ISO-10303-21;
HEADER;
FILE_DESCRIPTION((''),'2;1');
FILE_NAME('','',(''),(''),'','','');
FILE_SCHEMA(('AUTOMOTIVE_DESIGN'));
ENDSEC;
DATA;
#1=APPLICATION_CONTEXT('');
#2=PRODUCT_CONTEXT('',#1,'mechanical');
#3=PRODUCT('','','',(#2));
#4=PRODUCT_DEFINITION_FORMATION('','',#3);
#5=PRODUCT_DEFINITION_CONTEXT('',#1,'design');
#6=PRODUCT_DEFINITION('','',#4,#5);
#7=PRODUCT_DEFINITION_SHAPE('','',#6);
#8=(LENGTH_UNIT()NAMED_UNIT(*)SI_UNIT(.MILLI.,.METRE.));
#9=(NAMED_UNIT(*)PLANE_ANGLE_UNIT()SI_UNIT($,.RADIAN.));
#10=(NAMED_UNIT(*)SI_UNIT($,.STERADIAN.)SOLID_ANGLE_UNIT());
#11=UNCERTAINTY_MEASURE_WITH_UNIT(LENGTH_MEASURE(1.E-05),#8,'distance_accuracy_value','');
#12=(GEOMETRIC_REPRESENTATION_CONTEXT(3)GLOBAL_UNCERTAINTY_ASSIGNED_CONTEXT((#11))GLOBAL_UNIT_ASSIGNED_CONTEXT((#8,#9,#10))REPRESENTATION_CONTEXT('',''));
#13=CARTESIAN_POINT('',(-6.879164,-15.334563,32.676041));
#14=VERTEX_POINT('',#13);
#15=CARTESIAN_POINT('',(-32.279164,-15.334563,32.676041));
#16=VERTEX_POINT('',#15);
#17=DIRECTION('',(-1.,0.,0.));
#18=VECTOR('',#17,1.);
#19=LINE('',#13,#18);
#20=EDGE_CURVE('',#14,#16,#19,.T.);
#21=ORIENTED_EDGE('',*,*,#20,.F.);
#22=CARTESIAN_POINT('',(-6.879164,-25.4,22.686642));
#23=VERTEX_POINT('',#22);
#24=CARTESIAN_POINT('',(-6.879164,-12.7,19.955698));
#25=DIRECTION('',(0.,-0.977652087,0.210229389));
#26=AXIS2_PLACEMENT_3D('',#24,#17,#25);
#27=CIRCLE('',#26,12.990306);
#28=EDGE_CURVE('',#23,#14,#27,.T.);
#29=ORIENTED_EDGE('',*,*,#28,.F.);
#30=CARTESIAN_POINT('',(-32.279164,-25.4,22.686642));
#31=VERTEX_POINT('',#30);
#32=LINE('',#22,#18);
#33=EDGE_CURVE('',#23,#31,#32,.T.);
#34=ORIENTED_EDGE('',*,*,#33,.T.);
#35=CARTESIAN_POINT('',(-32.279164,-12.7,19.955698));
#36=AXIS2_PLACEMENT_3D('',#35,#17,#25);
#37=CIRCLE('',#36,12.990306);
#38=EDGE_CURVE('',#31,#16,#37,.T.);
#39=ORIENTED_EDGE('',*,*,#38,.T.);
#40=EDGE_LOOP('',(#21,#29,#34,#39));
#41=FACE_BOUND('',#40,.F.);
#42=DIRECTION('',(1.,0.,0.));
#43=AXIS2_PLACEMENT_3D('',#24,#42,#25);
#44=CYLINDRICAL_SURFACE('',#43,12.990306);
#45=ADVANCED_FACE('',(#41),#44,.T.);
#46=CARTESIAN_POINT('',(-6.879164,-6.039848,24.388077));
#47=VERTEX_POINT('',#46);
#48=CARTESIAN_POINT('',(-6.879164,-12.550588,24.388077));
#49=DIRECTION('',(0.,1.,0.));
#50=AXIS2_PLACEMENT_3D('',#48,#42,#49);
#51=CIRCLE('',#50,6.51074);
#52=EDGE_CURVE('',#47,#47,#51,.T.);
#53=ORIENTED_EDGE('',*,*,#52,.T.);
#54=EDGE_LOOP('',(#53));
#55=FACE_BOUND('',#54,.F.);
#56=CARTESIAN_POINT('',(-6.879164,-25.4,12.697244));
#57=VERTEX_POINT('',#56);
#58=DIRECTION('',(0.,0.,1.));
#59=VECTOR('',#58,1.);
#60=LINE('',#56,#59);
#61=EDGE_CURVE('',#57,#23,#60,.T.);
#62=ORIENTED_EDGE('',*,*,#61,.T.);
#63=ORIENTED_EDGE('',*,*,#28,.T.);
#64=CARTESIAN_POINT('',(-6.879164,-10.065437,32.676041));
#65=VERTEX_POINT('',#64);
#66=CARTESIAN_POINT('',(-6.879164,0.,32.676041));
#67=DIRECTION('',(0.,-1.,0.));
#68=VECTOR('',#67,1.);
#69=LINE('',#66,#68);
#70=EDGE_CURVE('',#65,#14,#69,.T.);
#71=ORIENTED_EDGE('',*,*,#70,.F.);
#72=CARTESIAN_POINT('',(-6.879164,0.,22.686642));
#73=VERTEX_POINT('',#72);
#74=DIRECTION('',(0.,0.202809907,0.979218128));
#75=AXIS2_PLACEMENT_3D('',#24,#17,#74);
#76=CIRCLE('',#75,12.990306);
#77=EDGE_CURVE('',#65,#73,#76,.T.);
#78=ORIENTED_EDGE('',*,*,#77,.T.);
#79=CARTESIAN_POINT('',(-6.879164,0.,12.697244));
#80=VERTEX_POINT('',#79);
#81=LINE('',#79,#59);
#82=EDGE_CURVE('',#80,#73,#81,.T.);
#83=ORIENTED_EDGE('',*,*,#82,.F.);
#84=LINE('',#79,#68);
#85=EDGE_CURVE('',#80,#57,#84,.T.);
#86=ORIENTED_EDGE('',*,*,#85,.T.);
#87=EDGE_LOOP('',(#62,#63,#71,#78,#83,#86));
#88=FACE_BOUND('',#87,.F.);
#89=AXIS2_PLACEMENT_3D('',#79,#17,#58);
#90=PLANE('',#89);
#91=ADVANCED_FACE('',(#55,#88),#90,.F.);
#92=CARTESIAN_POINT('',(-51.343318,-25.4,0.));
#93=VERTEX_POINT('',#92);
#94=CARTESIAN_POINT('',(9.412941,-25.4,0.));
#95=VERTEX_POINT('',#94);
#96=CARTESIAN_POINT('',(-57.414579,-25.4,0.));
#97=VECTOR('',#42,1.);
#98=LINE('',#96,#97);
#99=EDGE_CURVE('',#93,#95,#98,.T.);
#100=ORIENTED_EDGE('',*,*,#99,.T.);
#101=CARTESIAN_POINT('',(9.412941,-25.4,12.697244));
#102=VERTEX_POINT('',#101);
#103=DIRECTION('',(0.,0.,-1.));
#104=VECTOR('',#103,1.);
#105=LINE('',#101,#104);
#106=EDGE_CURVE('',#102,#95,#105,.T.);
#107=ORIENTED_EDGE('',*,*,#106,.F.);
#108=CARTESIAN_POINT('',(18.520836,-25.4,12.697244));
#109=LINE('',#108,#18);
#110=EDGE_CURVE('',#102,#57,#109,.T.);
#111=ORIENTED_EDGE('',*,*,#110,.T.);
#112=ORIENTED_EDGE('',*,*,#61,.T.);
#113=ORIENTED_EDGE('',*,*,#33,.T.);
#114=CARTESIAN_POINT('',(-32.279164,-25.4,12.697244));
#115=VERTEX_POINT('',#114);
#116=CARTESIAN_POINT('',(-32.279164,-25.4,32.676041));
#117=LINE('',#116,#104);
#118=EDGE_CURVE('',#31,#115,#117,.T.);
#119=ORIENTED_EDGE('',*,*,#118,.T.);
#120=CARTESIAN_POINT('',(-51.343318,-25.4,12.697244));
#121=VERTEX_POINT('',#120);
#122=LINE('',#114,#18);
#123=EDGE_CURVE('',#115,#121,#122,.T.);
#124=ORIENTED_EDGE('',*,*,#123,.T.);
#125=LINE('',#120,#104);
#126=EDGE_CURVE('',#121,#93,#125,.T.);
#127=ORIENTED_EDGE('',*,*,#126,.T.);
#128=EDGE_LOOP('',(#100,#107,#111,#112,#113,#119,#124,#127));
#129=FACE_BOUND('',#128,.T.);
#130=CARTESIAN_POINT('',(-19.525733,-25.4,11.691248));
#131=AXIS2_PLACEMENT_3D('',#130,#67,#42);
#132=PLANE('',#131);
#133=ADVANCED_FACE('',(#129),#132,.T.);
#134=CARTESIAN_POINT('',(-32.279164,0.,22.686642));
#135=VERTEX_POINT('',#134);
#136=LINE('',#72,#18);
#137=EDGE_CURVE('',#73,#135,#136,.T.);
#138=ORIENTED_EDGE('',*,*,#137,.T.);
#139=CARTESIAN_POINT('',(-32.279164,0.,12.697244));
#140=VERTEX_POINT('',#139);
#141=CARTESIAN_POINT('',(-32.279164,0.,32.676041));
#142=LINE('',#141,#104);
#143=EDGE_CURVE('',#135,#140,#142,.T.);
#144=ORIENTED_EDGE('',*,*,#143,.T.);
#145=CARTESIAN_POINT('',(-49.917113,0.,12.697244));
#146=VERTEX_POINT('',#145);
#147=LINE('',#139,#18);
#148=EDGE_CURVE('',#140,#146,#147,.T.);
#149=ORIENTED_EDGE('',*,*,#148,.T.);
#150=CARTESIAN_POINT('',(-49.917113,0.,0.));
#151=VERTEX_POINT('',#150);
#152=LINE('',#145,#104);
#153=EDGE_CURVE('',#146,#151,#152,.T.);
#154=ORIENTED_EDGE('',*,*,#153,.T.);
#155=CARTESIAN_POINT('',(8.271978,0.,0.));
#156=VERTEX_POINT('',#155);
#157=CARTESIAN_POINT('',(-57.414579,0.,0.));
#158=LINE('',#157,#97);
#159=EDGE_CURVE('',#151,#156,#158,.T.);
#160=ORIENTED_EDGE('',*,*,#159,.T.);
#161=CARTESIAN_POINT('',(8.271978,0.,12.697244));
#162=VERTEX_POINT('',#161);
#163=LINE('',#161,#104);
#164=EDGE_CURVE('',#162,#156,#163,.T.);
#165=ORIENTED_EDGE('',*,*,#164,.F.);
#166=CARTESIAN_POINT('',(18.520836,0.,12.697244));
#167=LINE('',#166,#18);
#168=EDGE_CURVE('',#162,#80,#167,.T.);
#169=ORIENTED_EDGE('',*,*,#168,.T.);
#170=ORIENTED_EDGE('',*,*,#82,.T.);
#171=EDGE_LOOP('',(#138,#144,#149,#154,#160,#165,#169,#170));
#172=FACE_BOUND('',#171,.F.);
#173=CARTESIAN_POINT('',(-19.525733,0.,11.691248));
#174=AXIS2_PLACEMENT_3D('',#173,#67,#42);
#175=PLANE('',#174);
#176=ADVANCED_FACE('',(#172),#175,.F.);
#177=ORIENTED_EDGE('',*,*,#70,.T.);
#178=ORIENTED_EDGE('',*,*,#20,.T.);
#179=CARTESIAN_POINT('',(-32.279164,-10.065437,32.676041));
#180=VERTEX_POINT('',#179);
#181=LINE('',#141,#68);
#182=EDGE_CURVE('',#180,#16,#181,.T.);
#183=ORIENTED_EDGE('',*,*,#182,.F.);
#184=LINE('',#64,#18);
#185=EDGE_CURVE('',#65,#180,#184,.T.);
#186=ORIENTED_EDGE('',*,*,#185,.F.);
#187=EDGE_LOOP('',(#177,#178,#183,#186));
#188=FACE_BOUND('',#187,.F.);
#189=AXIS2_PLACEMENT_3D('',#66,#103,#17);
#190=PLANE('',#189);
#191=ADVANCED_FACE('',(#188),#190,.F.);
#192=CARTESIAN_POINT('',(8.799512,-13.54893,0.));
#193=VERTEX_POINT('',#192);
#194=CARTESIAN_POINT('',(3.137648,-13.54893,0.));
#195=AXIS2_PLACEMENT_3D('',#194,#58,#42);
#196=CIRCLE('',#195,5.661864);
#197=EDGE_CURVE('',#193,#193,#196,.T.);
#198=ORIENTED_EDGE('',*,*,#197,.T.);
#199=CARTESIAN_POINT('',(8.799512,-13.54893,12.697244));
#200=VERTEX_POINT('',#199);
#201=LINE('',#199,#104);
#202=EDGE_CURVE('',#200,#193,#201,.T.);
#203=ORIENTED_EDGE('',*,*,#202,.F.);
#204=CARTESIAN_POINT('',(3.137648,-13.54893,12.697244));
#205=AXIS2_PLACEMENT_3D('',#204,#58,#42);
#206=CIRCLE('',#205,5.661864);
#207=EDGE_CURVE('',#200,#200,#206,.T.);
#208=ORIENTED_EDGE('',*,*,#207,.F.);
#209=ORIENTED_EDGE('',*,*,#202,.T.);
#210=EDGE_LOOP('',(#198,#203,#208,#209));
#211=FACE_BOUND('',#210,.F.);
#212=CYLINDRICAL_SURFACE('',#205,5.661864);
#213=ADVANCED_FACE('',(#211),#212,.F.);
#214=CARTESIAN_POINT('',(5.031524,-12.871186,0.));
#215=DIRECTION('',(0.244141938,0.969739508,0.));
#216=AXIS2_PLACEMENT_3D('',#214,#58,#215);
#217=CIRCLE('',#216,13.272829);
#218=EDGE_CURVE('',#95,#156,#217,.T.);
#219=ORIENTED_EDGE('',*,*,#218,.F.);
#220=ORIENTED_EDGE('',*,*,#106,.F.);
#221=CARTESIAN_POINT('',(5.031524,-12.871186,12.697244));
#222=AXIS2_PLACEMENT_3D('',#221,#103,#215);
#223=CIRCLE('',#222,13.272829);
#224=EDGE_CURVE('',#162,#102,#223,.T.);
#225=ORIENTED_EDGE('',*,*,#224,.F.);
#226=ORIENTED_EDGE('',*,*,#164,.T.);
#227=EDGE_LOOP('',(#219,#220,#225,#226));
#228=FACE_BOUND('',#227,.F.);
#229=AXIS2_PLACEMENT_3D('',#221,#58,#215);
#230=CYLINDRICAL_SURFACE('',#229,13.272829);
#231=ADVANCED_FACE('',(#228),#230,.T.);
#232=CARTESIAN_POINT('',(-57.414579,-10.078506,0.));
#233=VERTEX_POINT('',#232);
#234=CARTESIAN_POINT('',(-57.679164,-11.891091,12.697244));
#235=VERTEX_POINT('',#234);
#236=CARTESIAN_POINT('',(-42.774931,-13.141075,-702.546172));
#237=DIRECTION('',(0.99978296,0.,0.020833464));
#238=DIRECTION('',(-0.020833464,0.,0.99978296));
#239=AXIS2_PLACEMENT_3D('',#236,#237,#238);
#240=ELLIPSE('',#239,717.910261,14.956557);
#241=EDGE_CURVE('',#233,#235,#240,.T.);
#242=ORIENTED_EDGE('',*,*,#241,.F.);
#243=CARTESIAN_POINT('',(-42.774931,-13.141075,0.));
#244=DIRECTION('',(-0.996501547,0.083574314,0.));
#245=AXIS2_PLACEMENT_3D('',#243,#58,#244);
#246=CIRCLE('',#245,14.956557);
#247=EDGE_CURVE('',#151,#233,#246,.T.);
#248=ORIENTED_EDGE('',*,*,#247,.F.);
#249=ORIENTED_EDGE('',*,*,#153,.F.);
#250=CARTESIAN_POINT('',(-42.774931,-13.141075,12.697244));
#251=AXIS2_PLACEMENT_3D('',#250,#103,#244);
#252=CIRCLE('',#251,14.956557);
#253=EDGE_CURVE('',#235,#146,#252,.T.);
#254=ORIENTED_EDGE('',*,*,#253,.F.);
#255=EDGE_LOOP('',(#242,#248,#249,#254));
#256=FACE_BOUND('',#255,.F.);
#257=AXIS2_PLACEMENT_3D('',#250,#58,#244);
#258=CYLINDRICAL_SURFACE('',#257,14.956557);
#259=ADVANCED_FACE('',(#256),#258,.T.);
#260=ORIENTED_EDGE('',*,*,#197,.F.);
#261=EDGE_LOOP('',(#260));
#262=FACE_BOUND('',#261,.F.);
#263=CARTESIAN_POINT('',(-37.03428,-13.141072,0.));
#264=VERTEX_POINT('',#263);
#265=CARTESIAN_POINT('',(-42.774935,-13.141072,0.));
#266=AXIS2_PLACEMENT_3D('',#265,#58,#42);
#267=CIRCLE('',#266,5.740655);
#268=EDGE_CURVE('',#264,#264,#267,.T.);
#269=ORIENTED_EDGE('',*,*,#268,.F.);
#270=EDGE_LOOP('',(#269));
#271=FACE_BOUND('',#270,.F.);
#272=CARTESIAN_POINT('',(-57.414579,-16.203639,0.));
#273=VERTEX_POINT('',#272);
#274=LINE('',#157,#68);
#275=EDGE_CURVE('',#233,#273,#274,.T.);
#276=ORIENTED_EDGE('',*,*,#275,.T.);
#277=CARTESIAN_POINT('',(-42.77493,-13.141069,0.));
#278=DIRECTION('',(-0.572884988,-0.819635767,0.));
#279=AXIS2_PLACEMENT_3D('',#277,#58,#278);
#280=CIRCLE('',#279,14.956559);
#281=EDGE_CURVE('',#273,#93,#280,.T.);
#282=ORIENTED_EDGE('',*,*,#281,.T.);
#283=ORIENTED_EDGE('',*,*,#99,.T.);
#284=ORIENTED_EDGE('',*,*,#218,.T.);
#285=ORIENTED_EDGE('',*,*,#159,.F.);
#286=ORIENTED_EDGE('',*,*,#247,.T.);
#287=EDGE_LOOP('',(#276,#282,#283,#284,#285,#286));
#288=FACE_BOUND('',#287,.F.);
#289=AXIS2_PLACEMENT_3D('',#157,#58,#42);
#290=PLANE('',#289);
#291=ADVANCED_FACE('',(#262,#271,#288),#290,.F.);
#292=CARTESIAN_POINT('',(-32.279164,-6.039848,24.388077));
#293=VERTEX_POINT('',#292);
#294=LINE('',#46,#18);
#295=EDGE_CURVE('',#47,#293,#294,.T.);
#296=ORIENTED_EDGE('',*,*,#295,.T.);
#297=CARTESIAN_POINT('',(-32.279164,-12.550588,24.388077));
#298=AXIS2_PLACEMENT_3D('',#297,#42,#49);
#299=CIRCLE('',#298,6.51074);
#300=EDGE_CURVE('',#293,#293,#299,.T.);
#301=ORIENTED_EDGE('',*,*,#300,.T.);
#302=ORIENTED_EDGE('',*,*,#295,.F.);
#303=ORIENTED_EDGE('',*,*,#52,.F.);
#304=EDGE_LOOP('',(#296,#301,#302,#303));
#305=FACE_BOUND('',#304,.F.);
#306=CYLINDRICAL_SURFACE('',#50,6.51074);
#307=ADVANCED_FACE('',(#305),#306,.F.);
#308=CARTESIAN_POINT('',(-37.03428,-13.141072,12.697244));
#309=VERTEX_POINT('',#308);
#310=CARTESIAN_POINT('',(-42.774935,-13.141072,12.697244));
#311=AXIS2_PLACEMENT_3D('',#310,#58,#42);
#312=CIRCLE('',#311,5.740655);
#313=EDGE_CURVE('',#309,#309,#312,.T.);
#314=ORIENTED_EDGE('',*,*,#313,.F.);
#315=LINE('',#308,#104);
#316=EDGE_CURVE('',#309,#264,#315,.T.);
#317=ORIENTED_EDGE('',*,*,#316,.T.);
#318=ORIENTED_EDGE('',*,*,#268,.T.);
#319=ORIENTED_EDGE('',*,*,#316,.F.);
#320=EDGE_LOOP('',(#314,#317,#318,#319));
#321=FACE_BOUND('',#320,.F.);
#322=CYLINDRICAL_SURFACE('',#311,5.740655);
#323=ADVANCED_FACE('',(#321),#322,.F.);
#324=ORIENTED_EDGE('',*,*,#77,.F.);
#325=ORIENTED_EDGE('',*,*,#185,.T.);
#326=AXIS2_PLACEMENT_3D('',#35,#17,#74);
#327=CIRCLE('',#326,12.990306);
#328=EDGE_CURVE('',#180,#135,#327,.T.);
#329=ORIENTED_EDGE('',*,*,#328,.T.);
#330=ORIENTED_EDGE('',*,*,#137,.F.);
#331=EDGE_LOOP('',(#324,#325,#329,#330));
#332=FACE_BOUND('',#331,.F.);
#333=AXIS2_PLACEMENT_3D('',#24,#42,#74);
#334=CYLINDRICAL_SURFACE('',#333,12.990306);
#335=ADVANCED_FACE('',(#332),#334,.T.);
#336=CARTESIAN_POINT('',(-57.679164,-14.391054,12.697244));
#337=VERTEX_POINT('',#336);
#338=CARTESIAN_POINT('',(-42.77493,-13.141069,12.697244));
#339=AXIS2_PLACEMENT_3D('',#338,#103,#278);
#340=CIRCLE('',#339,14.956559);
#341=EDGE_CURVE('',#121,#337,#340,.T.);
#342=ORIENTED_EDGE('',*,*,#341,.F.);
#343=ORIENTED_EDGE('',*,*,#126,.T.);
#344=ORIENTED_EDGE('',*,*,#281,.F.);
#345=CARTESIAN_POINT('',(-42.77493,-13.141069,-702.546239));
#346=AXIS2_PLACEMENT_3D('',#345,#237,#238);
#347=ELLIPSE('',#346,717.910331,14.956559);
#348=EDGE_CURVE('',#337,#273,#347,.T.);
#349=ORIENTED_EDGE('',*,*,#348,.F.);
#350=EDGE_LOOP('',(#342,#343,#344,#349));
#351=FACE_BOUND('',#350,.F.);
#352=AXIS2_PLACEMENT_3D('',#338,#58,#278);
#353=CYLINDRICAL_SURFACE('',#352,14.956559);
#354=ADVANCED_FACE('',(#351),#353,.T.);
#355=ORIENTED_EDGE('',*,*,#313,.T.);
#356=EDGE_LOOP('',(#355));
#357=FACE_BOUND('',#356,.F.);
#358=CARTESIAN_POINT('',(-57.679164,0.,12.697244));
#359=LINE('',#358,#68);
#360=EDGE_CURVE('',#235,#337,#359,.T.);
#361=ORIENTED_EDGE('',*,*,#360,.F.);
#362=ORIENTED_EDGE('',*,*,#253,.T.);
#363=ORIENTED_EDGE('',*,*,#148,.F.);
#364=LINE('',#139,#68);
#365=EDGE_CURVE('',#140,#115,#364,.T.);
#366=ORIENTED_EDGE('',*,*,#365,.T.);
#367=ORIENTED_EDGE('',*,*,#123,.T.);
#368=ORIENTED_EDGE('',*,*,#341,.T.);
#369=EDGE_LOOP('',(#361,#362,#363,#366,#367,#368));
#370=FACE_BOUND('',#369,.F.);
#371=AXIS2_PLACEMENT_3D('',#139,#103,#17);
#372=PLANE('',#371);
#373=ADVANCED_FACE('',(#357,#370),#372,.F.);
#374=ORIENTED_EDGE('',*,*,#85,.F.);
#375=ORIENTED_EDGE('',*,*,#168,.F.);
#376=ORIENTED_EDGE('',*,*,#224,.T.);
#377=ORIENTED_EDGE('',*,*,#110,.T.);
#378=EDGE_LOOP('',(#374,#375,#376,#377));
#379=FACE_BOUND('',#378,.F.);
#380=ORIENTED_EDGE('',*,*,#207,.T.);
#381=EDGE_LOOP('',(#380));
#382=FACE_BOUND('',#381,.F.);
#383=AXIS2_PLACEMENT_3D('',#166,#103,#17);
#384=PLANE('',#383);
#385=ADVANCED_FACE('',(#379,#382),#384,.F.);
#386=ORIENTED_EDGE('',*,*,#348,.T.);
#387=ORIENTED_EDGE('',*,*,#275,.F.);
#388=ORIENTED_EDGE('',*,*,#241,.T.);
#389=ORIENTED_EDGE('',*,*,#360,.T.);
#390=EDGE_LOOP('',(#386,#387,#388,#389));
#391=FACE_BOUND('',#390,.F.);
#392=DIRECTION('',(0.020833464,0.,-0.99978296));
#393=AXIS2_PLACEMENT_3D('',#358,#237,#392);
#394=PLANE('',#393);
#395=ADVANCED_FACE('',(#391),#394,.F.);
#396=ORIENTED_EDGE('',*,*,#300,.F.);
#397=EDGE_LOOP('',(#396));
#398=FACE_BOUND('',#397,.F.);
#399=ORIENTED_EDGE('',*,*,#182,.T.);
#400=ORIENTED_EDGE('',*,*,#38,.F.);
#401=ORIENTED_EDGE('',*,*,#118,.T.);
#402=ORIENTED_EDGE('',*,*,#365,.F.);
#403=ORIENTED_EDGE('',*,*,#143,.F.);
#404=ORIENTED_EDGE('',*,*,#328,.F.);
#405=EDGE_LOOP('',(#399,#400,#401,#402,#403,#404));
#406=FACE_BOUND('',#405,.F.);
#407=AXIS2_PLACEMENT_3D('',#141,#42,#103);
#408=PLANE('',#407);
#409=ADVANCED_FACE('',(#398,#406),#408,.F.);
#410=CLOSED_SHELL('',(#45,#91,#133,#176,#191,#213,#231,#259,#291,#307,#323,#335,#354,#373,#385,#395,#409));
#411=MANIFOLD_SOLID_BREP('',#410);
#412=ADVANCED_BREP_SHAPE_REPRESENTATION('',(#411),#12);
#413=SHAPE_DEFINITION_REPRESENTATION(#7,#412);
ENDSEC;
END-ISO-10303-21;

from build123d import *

# Parameters (mm, degrees)
F1_DEPTH  = 25.4
F3_DEPTH  = 25.4
F5_DEPTH  = 25.4
F7_DEPTH  = 25.4
F8_R      = 5.661864
F8_R_2    = 5.740655
F9_DEPTH  = 25.4
F10_R     = 6.51074
F11_DEPTH = 25.4


with BuildPart() as f1:
    # F0 (on Front) → F1 (new body)
    with BuildSketch(Plane.XZ):
        Polygon((-57.679164, 12.697244), (-57.414579, 0), (18.520836, 0), (18.520836, 12.697244), (-6.879164, 12.697244), (-6.879164, 32.676041), (-32.279164, 32.676041), (-32.279164, 12.697244), align=None)
    extrude(amount=F1_DEPTH)

    # F2 (on face) → F3 (cut)
    with BuildSketch(Plane.YZ.offset(-6.879164)):
        with BuildLine():
            ThreePointArc((-25.4, 22.686642), (-21.850641, 29.175992), (-15.334563, 32.676041))
            Line((-15.334563, 32.676041), (-25.4, 32.676041))
            Line((-25.4, 32.676041), (-25.4, 22.686642))
        make_face()
        with BuildLine():
            ThreePointArc((-10.065437, 32.676041), (-3.549359, 29.175992), (0, 22.686642))
            Line((0, 22.686642), (0, 32.676041))
            Line((0, 32.676041), (-10.065437, 32.676041))
        make_face()
    extrude(amount=-F3_DEPTH, mode=Mode.SUBTRACT)

    # F4 (on face) → F5 (cut)
    with BuildSketch(Plane.XY.offset(12.697244)):
        with BuildLine():
            ThreePointArc((-57.679164, -11.891091), (-55.299332, -4.965624), (-49.917113, 0))
            Line((-49.917113, 0), (-57.679164, 0))
            Line((-57.679164, 0), (-57.679164, -11.891091))
        make_face()
        with BuildLine():
            ThreePointArc((-51.343318, -25.4), (-55.737963, -20.601527), (-57.679164, -14.391054))
            Line((-57.679164, -14.391054), (-57.679164, -25.4))
            Line((-57.679164, -25.4), (-51.343318, -25.4))
        make_face()
    extrude(amount=-F5_DEPTH, mode=Mode.SUBTRACT)

    # F6 (on face) → F7 (cut)
    with BuildSketch(Plane.XY.offset(12.697244)):
        with BuildLine():
            ThreePointArc((8.271978, 0), (18.290982, -12.275574), (9.412941, -25.4))
            Line((9.412941, -25.4), (18.520836, -25.4))
            Line((18.520836, -25.4), (18.520836, 0))
            Line((18.520836, 0), (8.271978, 0))
        make_face()
    extrude(amount=-F7_DEPTH, mode=Mode.SUBTRACT)

    # F8 (on face) → F9 (cut)
    with BuildSketch(Plane.XY.offset(12.697244)):
        with Locations((3.137648, -13.54893)):
            Circle(F8_R)
        with Locations((-42.774935, -13.141072)):
            Circle(F8_R_2)
    extrude(amount=-F9_DEPTH, mode=Mode.SUBTRACT)

    # F10 (on face) → F11 (cut)
    with BuildSketch(Plane.YZ.offset(-6.879164)):
        with Locations((-12.550588, 24.388077)):
            Circle(F10_R)
    extrude(amount=-F11_DEPTH, mode=Mode.SUBTRACT)


solid = f1.part
